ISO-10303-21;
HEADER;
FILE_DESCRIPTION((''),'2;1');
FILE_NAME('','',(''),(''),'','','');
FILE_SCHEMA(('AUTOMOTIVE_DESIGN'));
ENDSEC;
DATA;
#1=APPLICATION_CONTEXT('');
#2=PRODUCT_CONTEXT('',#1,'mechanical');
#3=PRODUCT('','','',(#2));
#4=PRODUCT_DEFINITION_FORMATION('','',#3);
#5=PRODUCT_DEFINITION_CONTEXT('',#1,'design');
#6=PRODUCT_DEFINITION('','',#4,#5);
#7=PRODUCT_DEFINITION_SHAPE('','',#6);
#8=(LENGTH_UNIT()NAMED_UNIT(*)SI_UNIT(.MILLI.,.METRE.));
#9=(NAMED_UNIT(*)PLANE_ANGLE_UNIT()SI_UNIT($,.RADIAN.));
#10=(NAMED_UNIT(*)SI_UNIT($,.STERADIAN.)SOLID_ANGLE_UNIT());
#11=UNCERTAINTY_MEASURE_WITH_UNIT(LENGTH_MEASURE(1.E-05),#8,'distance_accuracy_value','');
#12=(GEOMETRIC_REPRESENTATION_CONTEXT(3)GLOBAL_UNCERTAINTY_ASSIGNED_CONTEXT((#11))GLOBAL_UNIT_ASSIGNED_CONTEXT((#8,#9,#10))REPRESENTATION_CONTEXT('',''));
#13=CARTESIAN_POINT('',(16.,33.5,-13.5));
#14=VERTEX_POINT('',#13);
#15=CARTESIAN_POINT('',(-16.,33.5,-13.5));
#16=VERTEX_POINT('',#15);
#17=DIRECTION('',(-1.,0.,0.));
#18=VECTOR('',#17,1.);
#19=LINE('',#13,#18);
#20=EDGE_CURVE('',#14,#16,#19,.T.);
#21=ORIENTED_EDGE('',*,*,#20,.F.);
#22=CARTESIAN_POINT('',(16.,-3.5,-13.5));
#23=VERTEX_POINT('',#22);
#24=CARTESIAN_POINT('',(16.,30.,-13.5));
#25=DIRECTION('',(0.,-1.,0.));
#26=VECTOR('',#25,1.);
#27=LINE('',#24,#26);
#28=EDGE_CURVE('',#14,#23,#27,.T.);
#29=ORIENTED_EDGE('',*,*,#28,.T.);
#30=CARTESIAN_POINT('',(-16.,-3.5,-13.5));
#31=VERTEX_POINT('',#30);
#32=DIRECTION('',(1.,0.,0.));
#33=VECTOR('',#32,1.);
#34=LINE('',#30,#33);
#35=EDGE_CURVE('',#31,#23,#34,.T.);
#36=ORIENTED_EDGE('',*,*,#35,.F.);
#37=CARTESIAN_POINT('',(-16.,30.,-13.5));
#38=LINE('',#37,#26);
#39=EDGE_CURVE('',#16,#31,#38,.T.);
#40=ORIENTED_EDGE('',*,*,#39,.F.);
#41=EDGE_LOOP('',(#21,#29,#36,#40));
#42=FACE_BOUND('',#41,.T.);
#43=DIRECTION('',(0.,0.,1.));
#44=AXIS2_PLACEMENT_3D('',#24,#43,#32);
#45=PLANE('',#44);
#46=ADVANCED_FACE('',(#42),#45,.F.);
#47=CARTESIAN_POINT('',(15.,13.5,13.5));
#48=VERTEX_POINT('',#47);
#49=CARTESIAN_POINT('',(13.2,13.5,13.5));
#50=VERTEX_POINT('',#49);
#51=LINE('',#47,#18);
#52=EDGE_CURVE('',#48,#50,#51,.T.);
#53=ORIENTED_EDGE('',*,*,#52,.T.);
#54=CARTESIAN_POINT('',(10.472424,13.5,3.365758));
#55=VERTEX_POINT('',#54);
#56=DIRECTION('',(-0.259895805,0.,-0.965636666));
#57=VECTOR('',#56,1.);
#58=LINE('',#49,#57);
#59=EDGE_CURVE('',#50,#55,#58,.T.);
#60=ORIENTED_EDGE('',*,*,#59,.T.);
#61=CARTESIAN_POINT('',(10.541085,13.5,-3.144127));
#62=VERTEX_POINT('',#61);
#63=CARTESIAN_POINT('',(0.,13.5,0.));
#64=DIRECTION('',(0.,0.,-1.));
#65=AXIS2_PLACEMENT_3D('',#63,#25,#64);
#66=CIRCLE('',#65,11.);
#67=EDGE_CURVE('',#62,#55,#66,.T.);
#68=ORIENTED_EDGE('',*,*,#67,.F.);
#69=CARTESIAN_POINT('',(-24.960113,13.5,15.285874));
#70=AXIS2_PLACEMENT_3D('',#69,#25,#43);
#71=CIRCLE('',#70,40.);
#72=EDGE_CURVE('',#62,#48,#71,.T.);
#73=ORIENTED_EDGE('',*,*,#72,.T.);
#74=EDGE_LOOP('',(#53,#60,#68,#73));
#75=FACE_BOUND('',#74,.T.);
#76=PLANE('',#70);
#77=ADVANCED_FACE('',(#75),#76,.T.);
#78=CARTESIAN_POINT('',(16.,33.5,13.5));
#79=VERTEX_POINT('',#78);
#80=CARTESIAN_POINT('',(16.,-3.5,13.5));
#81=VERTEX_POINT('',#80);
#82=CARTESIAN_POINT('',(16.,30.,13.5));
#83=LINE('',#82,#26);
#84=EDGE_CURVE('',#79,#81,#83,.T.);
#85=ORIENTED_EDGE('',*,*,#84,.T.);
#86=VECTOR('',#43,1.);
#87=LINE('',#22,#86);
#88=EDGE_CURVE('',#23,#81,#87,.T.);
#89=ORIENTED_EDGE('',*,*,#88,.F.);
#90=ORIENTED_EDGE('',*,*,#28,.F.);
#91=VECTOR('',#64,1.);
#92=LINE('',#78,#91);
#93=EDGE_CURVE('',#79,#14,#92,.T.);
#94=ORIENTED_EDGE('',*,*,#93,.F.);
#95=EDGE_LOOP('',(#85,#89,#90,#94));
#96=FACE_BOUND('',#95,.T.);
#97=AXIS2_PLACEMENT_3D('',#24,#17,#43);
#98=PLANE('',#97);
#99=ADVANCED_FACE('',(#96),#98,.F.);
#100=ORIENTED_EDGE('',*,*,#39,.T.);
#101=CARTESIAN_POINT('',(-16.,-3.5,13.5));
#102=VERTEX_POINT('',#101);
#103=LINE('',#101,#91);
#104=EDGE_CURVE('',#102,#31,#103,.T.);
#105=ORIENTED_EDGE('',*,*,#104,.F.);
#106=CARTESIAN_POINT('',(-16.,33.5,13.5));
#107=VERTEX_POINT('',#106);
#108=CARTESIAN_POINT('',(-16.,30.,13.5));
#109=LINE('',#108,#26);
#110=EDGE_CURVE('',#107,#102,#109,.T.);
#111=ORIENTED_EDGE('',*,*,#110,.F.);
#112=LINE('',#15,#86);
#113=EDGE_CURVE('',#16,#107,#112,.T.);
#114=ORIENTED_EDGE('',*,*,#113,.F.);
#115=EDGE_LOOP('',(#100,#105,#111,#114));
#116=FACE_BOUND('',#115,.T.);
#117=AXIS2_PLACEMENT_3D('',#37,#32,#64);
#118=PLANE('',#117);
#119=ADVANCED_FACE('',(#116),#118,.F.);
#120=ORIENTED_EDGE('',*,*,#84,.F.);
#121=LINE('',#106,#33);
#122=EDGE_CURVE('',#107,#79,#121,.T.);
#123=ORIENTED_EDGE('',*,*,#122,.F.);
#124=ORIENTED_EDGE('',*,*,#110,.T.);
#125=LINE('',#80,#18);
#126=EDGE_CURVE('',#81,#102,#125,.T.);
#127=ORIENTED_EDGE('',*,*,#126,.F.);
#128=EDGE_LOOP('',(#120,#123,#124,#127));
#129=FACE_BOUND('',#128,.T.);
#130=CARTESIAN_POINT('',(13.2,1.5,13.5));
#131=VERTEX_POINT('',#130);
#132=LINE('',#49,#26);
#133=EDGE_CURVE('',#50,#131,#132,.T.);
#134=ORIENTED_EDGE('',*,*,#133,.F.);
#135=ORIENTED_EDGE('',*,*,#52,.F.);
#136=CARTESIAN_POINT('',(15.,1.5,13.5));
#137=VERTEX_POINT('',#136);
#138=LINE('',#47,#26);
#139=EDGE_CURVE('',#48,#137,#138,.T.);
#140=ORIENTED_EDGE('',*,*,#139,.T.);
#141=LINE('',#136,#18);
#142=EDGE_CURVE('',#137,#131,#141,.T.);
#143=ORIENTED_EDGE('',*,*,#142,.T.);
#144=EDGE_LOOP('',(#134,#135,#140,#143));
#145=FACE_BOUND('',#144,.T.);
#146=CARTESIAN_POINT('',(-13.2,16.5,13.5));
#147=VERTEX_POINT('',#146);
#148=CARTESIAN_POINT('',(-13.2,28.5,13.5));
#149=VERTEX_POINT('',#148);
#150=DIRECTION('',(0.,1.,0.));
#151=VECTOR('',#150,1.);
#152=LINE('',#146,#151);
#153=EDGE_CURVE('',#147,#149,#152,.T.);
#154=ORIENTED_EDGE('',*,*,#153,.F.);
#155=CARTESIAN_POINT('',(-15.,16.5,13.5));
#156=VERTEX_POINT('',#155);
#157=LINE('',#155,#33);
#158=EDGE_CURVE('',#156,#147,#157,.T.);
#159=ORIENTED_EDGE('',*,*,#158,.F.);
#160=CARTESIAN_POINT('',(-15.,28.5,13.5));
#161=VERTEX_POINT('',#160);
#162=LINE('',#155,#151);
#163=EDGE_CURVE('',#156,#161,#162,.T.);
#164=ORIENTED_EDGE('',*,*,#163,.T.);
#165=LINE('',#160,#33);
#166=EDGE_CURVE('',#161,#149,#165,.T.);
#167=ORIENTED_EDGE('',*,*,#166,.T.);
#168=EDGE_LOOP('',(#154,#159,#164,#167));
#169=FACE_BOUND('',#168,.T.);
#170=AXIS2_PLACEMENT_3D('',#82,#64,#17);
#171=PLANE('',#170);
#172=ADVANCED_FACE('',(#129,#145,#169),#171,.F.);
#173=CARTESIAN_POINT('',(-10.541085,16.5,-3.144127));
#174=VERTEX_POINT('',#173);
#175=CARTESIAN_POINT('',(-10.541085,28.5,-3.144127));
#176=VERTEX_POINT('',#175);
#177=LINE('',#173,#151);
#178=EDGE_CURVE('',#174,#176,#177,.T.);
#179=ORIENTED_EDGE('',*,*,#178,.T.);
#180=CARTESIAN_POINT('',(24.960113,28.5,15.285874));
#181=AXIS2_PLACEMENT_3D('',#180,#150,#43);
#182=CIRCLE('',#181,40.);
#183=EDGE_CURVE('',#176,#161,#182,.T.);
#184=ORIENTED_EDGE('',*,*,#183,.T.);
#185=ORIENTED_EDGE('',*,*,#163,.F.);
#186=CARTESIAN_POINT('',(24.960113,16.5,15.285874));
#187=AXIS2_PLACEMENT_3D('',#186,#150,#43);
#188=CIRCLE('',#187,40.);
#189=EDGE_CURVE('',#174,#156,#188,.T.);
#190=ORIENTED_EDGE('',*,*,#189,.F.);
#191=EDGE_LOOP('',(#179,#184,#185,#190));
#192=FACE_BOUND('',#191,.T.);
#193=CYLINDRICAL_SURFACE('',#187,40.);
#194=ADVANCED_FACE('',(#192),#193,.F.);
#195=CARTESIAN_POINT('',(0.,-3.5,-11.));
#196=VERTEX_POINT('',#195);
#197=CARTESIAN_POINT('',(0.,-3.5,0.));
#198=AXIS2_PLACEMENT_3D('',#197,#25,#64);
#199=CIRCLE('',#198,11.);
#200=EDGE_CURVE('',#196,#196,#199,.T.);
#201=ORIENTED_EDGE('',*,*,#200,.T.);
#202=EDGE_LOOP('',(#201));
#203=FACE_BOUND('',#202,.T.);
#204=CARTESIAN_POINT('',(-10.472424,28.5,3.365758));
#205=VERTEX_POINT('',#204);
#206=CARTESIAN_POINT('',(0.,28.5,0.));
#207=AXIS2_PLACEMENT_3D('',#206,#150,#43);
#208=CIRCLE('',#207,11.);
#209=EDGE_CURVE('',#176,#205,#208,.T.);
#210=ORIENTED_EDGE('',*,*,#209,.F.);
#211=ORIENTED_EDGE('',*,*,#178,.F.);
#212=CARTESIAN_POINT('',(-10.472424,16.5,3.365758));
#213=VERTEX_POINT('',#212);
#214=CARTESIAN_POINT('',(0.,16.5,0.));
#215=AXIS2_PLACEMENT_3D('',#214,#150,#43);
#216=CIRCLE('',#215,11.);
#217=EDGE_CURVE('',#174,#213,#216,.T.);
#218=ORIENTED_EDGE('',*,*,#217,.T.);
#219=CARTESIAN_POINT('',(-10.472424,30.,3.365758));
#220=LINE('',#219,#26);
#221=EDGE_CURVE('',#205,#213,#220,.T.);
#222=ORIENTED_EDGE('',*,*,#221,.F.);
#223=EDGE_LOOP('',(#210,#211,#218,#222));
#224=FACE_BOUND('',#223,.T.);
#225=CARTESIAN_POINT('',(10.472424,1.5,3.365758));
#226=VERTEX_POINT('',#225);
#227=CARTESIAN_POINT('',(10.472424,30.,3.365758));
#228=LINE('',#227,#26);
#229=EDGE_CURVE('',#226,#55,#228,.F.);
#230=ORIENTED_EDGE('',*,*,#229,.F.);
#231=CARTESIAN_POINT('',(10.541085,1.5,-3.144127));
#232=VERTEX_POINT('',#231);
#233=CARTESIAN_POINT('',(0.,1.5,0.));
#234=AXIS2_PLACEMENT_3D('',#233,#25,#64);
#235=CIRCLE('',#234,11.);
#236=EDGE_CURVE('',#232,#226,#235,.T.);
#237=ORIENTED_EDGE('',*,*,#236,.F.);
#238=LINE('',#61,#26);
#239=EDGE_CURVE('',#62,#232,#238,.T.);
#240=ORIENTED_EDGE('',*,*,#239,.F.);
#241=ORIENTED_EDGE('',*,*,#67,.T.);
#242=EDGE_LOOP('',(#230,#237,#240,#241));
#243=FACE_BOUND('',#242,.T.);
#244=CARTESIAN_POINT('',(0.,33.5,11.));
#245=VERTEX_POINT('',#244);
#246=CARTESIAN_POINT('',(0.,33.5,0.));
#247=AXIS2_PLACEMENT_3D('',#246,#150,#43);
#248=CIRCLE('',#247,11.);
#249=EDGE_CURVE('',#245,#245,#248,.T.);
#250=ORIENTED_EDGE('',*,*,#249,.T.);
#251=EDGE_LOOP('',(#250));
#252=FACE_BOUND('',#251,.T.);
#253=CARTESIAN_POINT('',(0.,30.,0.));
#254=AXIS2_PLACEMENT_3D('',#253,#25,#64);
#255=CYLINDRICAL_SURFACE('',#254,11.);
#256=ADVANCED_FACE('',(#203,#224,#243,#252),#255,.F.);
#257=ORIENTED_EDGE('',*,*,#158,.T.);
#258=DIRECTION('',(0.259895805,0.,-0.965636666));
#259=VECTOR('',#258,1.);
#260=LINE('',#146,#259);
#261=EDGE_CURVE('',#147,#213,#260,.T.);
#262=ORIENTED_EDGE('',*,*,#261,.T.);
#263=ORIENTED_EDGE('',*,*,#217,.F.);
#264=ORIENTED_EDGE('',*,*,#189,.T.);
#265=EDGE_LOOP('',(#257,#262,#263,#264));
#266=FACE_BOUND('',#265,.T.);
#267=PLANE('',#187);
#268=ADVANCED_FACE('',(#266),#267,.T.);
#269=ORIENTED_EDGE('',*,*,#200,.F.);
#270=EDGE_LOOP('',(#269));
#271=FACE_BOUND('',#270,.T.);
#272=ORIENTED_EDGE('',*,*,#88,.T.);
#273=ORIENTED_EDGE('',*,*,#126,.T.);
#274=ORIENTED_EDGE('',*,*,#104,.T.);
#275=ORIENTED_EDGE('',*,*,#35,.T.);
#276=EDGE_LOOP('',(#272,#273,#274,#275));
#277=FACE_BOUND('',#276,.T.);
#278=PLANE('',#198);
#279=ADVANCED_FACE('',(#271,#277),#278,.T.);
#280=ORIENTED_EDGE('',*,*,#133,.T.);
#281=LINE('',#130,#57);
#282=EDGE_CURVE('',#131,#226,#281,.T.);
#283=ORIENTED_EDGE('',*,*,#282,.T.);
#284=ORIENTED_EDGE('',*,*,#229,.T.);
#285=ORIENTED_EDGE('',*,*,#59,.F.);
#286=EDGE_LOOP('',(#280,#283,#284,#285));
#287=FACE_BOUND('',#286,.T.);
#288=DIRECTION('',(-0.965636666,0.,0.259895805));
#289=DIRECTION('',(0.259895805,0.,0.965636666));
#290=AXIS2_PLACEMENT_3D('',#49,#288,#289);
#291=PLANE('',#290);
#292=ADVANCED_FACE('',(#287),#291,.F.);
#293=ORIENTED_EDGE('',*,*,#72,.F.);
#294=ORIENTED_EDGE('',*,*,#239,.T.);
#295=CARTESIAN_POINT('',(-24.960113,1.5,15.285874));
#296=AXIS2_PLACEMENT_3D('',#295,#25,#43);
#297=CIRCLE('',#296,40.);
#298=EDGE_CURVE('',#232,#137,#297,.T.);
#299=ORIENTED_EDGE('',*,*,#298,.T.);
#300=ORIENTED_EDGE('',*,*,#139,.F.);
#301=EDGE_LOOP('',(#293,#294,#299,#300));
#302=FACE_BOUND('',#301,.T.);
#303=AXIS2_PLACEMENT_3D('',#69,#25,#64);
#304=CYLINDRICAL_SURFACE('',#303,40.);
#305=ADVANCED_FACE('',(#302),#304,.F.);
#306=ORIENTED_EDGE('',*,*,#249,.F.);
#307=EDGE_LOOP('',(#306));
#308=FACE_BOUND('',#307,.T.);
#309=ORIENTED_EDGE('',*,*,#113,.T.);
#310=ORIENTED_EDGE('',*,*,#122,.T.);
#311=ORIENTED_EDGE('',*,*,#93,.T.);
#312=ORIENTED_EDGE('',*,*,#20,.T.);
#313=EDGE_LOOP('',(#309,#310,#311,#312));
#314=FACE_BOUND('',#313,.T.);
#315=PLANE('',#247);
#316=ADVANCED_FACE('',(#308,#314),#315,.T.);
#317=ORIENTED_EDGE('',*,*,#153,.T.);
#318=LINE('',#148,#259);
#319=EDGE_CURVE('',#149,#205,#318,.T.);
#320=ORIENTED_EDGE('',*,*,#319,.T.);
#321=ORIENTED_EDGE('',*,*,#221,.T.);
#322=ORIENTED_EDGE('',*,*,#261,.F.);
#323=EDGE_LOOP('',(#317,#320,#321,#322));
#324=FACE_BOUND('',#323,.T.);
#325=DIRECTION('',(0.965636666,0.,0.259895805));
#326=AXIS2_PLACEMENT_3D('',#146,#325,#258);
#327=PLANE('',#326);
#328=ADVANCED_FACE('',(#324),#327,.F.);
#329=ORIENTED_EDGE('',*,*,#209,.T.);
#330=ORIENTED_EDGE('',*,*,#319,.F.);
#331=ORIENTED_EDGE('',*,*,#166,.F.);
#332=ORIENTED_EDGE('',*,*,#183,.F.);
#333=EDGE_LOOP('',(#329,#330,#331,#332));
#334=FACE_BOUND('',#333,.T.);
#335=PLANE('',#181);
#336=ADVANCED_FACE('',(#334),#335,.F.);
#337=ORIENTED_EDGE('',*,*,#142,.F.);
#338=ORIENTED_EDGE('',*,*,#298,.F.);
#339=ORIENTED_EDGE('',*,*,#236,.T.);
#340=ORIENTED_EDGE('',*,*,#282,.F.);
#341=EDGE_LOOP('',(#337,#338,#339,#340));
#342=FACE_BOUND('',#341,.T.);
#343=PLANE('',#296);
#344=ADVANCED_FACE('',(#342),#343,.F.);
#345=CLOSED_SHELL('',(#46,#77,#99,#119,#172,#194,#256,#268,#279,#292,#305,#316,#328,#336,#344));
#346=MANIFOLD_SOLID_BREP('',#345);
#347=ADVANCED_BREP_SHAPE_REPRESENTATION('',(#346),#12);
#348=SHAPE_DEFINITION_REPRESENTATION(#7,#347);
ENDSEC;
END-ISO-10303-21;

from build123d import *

# Parameters (mm, degrees)
SKETCH1_W           = 32
SKETCH1_H           = 27
SKETCH1_R           = 11
BOSS_EXTRUDE1_DEPTH = 30
CUT_EXTRUDE2_DEPTH  = 12
CIRPATTERN2_COUNT   = 2
SKETCH7_W           = 32
SKETCH7_H           = 27
SKETCH7_R           = 11
BOSS_EXTRUDE2_DEPTH = 3.5
BOSS_EXTRUDE3_START = 3.5
SKETCH8_W           = 32
SKETCH8_H           = 27
SKETCH8_R           = 11
BOSS_EXTRUDE3_DEPTH = 3.5


with BuildPart() as part:
    # Sketch1 → Boss-Extrude1 (new body)
    with BuildSketch(Plane(origin=(0, 0, 0), x_dir=(1, 0, 0), z_dir=(0, 1, 0))):
        Rectangle(SKETCH1_W, SKETCH1_H)
        Circle(SKETCH1_R, mode=Mode.SUBTRACT)
    extrude(amount=BOSS_EXTRUDE1_DEPTH)

    # Sketch4 → Cut-Extrude2 (cut)
    with BuildSketch(Plane(origin=(0, 28.5, 0), x_dir=(1, 0, 0), z_dir=(0, 1, 0))):
        with BuildLine():
            Line((-13.2, -13.5), (-8.943538475, 2.314781316))
            Line((-8.943538475, 2.314781316), (-10.541084547, 3.144127315))
            ThreePointArc((-10.541084547, 3.144127315), (-13.677421735, -4.934985855), (-15, -13.5))
            Line((-15, -13.5), (-13.2, -13.5))
        make_face()
    cut_extrude2 = extrude(amount=-CUT_EXTRUDE2_DEPTH, mode=Mode.SUBTRACT)

    # CirPattern2: Cut-Extrude2 ×2 about axis
    cirpattern2_axis = Axis((0, 15, 28.768716551), (0, 0, -1))
    for i in range(1, CIRPATTERN2_COUNT):
        add(cut_extrude2.rotate(cirpattern2_axis, i * 360 / CIRPATTERN2_COUNT), mode=Mode.SUBTRACT)

    # Sketch7 → Boss-Extrude2 (add)
    with BuildSketch(Plane(origin=(0, 30, 0), x_dir=(1, 0, 0), z_dir=(0, 1, 0))):
        Rectangle(SKETCH7_W, SKETCH7_H)
        Circle(SKETCH7_R, mode=Mode.SUBTRACT)
    extrude(amount=BOSS_EXTRUDE2_DEPTH)

    # Sketch8 → Boss-Extrude3 (add)
    with BuildSketch(Plane.XZ.offset(BOSS_EXTRUDE3_START)):
        Rectangle(SKETCH8_W, SKETCH8_H)
        Circle(SKETCH8_R, mode=Mode.SUBTRACT)
    extrude(amount=-BOSS_EXTRUDE3_DEPTH)


solid = part.part
